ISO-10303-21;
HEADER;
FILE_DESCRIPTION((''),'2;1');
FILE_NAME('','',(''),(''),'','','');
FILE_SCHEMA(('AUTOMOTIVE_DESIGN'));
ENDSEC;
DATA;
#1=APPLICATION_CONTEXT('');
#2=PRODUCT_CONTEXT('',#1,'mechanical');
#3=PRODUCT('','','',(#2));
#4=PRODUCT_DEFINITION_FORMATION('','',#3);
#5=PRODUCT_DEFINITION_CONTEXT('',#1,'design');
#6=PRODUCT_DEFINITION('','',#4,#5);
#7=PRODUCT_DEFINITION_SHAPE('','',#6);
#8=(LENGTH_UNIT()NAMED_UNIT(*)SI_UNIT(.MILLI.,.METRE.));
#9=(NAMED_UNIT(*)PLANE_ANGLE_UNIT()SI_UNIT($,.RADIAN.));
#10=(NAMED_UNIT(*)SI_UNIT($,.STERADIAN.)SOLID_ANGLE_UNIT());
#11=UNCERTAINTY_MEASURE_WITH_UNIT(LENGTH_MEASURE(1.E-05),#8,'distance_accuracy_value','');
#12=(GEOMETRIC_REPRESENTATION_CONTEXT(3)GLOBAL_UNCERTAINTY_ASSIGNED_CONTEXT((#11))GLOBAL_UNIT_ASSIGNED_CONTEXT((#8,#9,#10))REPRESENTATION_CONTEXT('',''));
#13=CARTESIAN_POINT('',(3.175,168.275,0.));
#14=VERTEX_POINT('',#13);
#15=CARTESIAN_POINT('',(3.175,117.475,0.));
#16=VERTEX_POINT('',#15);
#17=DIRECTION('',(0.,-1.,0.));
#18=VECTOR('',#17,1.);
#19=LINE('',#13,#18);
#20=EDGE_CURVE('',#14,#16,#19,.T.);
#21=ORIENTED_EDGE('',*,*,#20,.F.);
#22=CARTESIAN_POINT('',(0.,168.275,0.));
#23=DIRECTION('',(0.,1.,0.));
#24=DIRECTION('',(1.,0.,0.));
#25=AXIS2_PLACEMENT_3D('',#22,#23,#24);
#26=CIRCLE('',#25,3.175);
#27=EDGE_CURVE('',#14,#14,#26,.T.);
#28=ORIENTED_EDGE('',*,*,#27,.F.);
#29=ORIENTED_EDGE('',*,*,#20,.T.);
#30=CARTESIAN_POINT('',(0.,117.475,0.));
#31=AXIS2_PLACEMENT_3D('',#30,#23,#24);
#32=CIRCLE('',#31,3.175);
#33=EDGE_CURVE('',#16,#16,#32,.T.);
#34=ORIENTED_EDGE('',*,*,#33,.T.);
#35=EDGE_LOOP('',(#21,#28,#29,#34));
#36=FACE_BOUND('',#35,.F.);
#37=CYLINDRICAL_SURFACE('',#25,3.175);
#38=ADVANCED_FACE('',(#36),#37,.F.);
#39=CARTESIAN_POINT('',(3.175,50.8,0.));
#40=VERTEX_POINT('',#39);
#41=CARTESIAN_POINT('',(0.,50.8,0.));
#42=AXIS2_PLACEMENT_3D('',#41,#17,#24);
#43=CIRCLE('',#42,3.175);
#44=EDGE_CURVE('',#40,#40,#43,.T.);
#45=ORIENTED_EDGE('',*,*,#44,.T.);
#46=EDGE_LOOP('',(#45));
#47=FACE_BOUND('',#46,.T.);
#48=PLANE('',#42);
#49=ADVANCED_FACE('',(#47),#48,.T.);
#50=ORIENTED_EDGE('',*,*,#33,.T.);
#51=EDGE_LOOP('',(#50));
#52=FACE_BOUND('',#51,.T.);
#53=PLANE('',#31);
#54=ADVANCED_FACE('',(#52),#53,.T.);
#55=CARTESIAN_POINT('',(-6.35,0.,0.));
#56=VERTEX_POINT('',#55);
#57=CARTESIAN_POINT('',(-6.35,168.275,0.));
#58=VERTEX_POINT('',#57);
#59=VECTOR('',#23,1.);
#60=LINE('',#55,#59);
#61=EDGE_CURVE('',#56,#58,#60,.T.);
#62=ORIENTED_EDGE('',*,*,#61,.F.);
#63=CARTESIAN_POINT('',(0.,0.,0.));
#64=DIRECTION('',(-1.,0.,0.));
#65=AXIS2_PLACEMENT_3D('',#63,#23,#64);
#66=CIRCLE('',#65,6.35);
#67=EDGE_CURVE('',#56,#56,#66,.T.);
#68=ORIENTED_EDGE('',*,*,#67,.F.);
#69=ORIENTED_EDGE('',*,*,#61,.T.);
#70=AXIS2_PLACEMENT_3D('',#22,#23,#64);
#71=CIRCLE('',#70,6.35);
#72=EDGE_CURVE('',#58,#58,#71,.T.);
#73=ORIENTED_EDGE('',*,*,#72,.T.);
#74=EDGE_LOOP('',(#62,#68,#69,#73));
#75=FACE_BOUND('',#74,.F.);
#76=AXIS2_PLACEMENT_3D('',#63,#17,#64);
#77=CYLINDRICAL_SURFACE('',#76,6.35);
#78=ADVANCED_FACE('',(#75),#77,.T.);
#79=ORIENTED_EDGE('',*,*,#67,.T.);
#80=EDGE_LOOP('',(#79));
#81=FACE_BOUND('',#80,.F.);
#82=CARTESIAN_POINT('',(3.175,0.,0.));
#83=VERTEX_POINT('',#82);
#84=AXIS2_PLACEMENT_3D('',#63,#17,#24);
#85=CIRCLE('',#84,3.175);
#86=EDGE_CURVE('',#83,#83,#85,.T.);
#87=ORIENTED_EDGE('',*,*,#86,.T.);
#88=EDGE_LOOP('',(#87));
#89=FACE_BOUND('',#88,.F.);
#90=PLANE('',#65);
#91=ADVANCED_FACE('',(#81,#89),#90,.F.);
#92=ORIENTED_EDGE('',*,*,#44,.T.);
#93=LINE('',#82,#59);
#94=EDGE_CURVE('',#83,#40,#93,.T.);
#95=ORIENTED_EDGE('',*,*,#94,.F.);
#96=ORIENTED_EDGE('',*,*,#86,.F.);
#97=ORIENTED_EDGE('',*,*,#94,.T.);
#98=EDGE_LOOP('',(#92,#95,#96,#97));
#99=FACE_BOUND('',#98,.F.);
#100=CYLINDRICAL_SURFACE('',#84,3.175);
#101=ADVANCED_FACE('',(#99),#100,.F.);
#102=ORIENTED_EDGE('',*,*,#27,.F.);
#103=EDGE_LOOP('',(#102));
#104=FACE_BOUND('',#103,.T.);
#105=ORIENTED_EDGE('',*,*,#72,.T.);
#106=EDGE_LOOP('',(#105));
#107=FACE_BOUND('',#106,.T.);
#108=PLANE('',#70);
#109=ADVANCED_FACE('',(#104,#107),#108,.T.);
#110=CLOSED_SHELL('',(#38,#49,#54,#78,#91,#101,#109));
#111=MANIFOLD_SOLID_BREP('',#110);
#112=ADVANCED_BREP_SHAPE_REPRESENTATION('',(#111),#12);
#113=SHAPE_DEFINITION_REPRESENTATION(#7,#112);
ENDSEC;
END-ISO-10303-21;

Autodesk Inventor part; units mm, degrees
ref_plane "YZ Plane" through (0, 0, 0) normal (1, 0, 0) x (0, 1, 0)
ref_plane "XZ Plane" through (0, 0, 0) normal (0, 1, 0) x (-1, 0, 0)
ref_plane "XY Plane" through (0, 0, 0) normal (0, 0, 1) x (1, 0, 0)
sketch "Sketch1" plane through (0, 0, 0) normal (0, 1, 0) x (-1, 0, 0)
  circle A0 centre (0, 0) radius 6.35
  dimension "d0" = 12.7
extrude "Extrusion1" add sketch "Sketch1" along normal blind 168.275
sketch "Sketch2" plane through (0, 0, 0) normal (0, -1, 0) x (1, 0, 0)
  circle A0 centre (0, 0) radius 3.175
  dimension "d3" = 6.35
extrude "Extrusion2" cut sketch "Sketch2" against normal blind 50.8
sketch "Sketch3" plane through (0, 168.275, 0) normal (0, 1, 0) x (1, 0, 0)
  circle A0 centre (0, 0) radius 3.175
  dimension "d6" = 6.35
extrude "Extrusion3" cut sketch "Sketch3" against normal blind 50.8
thread "Thread1" size "1/4-20 UNC" class "2B" standard "ANSI Unified Screw Threads" full length
properties part number "SHOT_0_003_PivotShaft" material "Aluminum 6061"
